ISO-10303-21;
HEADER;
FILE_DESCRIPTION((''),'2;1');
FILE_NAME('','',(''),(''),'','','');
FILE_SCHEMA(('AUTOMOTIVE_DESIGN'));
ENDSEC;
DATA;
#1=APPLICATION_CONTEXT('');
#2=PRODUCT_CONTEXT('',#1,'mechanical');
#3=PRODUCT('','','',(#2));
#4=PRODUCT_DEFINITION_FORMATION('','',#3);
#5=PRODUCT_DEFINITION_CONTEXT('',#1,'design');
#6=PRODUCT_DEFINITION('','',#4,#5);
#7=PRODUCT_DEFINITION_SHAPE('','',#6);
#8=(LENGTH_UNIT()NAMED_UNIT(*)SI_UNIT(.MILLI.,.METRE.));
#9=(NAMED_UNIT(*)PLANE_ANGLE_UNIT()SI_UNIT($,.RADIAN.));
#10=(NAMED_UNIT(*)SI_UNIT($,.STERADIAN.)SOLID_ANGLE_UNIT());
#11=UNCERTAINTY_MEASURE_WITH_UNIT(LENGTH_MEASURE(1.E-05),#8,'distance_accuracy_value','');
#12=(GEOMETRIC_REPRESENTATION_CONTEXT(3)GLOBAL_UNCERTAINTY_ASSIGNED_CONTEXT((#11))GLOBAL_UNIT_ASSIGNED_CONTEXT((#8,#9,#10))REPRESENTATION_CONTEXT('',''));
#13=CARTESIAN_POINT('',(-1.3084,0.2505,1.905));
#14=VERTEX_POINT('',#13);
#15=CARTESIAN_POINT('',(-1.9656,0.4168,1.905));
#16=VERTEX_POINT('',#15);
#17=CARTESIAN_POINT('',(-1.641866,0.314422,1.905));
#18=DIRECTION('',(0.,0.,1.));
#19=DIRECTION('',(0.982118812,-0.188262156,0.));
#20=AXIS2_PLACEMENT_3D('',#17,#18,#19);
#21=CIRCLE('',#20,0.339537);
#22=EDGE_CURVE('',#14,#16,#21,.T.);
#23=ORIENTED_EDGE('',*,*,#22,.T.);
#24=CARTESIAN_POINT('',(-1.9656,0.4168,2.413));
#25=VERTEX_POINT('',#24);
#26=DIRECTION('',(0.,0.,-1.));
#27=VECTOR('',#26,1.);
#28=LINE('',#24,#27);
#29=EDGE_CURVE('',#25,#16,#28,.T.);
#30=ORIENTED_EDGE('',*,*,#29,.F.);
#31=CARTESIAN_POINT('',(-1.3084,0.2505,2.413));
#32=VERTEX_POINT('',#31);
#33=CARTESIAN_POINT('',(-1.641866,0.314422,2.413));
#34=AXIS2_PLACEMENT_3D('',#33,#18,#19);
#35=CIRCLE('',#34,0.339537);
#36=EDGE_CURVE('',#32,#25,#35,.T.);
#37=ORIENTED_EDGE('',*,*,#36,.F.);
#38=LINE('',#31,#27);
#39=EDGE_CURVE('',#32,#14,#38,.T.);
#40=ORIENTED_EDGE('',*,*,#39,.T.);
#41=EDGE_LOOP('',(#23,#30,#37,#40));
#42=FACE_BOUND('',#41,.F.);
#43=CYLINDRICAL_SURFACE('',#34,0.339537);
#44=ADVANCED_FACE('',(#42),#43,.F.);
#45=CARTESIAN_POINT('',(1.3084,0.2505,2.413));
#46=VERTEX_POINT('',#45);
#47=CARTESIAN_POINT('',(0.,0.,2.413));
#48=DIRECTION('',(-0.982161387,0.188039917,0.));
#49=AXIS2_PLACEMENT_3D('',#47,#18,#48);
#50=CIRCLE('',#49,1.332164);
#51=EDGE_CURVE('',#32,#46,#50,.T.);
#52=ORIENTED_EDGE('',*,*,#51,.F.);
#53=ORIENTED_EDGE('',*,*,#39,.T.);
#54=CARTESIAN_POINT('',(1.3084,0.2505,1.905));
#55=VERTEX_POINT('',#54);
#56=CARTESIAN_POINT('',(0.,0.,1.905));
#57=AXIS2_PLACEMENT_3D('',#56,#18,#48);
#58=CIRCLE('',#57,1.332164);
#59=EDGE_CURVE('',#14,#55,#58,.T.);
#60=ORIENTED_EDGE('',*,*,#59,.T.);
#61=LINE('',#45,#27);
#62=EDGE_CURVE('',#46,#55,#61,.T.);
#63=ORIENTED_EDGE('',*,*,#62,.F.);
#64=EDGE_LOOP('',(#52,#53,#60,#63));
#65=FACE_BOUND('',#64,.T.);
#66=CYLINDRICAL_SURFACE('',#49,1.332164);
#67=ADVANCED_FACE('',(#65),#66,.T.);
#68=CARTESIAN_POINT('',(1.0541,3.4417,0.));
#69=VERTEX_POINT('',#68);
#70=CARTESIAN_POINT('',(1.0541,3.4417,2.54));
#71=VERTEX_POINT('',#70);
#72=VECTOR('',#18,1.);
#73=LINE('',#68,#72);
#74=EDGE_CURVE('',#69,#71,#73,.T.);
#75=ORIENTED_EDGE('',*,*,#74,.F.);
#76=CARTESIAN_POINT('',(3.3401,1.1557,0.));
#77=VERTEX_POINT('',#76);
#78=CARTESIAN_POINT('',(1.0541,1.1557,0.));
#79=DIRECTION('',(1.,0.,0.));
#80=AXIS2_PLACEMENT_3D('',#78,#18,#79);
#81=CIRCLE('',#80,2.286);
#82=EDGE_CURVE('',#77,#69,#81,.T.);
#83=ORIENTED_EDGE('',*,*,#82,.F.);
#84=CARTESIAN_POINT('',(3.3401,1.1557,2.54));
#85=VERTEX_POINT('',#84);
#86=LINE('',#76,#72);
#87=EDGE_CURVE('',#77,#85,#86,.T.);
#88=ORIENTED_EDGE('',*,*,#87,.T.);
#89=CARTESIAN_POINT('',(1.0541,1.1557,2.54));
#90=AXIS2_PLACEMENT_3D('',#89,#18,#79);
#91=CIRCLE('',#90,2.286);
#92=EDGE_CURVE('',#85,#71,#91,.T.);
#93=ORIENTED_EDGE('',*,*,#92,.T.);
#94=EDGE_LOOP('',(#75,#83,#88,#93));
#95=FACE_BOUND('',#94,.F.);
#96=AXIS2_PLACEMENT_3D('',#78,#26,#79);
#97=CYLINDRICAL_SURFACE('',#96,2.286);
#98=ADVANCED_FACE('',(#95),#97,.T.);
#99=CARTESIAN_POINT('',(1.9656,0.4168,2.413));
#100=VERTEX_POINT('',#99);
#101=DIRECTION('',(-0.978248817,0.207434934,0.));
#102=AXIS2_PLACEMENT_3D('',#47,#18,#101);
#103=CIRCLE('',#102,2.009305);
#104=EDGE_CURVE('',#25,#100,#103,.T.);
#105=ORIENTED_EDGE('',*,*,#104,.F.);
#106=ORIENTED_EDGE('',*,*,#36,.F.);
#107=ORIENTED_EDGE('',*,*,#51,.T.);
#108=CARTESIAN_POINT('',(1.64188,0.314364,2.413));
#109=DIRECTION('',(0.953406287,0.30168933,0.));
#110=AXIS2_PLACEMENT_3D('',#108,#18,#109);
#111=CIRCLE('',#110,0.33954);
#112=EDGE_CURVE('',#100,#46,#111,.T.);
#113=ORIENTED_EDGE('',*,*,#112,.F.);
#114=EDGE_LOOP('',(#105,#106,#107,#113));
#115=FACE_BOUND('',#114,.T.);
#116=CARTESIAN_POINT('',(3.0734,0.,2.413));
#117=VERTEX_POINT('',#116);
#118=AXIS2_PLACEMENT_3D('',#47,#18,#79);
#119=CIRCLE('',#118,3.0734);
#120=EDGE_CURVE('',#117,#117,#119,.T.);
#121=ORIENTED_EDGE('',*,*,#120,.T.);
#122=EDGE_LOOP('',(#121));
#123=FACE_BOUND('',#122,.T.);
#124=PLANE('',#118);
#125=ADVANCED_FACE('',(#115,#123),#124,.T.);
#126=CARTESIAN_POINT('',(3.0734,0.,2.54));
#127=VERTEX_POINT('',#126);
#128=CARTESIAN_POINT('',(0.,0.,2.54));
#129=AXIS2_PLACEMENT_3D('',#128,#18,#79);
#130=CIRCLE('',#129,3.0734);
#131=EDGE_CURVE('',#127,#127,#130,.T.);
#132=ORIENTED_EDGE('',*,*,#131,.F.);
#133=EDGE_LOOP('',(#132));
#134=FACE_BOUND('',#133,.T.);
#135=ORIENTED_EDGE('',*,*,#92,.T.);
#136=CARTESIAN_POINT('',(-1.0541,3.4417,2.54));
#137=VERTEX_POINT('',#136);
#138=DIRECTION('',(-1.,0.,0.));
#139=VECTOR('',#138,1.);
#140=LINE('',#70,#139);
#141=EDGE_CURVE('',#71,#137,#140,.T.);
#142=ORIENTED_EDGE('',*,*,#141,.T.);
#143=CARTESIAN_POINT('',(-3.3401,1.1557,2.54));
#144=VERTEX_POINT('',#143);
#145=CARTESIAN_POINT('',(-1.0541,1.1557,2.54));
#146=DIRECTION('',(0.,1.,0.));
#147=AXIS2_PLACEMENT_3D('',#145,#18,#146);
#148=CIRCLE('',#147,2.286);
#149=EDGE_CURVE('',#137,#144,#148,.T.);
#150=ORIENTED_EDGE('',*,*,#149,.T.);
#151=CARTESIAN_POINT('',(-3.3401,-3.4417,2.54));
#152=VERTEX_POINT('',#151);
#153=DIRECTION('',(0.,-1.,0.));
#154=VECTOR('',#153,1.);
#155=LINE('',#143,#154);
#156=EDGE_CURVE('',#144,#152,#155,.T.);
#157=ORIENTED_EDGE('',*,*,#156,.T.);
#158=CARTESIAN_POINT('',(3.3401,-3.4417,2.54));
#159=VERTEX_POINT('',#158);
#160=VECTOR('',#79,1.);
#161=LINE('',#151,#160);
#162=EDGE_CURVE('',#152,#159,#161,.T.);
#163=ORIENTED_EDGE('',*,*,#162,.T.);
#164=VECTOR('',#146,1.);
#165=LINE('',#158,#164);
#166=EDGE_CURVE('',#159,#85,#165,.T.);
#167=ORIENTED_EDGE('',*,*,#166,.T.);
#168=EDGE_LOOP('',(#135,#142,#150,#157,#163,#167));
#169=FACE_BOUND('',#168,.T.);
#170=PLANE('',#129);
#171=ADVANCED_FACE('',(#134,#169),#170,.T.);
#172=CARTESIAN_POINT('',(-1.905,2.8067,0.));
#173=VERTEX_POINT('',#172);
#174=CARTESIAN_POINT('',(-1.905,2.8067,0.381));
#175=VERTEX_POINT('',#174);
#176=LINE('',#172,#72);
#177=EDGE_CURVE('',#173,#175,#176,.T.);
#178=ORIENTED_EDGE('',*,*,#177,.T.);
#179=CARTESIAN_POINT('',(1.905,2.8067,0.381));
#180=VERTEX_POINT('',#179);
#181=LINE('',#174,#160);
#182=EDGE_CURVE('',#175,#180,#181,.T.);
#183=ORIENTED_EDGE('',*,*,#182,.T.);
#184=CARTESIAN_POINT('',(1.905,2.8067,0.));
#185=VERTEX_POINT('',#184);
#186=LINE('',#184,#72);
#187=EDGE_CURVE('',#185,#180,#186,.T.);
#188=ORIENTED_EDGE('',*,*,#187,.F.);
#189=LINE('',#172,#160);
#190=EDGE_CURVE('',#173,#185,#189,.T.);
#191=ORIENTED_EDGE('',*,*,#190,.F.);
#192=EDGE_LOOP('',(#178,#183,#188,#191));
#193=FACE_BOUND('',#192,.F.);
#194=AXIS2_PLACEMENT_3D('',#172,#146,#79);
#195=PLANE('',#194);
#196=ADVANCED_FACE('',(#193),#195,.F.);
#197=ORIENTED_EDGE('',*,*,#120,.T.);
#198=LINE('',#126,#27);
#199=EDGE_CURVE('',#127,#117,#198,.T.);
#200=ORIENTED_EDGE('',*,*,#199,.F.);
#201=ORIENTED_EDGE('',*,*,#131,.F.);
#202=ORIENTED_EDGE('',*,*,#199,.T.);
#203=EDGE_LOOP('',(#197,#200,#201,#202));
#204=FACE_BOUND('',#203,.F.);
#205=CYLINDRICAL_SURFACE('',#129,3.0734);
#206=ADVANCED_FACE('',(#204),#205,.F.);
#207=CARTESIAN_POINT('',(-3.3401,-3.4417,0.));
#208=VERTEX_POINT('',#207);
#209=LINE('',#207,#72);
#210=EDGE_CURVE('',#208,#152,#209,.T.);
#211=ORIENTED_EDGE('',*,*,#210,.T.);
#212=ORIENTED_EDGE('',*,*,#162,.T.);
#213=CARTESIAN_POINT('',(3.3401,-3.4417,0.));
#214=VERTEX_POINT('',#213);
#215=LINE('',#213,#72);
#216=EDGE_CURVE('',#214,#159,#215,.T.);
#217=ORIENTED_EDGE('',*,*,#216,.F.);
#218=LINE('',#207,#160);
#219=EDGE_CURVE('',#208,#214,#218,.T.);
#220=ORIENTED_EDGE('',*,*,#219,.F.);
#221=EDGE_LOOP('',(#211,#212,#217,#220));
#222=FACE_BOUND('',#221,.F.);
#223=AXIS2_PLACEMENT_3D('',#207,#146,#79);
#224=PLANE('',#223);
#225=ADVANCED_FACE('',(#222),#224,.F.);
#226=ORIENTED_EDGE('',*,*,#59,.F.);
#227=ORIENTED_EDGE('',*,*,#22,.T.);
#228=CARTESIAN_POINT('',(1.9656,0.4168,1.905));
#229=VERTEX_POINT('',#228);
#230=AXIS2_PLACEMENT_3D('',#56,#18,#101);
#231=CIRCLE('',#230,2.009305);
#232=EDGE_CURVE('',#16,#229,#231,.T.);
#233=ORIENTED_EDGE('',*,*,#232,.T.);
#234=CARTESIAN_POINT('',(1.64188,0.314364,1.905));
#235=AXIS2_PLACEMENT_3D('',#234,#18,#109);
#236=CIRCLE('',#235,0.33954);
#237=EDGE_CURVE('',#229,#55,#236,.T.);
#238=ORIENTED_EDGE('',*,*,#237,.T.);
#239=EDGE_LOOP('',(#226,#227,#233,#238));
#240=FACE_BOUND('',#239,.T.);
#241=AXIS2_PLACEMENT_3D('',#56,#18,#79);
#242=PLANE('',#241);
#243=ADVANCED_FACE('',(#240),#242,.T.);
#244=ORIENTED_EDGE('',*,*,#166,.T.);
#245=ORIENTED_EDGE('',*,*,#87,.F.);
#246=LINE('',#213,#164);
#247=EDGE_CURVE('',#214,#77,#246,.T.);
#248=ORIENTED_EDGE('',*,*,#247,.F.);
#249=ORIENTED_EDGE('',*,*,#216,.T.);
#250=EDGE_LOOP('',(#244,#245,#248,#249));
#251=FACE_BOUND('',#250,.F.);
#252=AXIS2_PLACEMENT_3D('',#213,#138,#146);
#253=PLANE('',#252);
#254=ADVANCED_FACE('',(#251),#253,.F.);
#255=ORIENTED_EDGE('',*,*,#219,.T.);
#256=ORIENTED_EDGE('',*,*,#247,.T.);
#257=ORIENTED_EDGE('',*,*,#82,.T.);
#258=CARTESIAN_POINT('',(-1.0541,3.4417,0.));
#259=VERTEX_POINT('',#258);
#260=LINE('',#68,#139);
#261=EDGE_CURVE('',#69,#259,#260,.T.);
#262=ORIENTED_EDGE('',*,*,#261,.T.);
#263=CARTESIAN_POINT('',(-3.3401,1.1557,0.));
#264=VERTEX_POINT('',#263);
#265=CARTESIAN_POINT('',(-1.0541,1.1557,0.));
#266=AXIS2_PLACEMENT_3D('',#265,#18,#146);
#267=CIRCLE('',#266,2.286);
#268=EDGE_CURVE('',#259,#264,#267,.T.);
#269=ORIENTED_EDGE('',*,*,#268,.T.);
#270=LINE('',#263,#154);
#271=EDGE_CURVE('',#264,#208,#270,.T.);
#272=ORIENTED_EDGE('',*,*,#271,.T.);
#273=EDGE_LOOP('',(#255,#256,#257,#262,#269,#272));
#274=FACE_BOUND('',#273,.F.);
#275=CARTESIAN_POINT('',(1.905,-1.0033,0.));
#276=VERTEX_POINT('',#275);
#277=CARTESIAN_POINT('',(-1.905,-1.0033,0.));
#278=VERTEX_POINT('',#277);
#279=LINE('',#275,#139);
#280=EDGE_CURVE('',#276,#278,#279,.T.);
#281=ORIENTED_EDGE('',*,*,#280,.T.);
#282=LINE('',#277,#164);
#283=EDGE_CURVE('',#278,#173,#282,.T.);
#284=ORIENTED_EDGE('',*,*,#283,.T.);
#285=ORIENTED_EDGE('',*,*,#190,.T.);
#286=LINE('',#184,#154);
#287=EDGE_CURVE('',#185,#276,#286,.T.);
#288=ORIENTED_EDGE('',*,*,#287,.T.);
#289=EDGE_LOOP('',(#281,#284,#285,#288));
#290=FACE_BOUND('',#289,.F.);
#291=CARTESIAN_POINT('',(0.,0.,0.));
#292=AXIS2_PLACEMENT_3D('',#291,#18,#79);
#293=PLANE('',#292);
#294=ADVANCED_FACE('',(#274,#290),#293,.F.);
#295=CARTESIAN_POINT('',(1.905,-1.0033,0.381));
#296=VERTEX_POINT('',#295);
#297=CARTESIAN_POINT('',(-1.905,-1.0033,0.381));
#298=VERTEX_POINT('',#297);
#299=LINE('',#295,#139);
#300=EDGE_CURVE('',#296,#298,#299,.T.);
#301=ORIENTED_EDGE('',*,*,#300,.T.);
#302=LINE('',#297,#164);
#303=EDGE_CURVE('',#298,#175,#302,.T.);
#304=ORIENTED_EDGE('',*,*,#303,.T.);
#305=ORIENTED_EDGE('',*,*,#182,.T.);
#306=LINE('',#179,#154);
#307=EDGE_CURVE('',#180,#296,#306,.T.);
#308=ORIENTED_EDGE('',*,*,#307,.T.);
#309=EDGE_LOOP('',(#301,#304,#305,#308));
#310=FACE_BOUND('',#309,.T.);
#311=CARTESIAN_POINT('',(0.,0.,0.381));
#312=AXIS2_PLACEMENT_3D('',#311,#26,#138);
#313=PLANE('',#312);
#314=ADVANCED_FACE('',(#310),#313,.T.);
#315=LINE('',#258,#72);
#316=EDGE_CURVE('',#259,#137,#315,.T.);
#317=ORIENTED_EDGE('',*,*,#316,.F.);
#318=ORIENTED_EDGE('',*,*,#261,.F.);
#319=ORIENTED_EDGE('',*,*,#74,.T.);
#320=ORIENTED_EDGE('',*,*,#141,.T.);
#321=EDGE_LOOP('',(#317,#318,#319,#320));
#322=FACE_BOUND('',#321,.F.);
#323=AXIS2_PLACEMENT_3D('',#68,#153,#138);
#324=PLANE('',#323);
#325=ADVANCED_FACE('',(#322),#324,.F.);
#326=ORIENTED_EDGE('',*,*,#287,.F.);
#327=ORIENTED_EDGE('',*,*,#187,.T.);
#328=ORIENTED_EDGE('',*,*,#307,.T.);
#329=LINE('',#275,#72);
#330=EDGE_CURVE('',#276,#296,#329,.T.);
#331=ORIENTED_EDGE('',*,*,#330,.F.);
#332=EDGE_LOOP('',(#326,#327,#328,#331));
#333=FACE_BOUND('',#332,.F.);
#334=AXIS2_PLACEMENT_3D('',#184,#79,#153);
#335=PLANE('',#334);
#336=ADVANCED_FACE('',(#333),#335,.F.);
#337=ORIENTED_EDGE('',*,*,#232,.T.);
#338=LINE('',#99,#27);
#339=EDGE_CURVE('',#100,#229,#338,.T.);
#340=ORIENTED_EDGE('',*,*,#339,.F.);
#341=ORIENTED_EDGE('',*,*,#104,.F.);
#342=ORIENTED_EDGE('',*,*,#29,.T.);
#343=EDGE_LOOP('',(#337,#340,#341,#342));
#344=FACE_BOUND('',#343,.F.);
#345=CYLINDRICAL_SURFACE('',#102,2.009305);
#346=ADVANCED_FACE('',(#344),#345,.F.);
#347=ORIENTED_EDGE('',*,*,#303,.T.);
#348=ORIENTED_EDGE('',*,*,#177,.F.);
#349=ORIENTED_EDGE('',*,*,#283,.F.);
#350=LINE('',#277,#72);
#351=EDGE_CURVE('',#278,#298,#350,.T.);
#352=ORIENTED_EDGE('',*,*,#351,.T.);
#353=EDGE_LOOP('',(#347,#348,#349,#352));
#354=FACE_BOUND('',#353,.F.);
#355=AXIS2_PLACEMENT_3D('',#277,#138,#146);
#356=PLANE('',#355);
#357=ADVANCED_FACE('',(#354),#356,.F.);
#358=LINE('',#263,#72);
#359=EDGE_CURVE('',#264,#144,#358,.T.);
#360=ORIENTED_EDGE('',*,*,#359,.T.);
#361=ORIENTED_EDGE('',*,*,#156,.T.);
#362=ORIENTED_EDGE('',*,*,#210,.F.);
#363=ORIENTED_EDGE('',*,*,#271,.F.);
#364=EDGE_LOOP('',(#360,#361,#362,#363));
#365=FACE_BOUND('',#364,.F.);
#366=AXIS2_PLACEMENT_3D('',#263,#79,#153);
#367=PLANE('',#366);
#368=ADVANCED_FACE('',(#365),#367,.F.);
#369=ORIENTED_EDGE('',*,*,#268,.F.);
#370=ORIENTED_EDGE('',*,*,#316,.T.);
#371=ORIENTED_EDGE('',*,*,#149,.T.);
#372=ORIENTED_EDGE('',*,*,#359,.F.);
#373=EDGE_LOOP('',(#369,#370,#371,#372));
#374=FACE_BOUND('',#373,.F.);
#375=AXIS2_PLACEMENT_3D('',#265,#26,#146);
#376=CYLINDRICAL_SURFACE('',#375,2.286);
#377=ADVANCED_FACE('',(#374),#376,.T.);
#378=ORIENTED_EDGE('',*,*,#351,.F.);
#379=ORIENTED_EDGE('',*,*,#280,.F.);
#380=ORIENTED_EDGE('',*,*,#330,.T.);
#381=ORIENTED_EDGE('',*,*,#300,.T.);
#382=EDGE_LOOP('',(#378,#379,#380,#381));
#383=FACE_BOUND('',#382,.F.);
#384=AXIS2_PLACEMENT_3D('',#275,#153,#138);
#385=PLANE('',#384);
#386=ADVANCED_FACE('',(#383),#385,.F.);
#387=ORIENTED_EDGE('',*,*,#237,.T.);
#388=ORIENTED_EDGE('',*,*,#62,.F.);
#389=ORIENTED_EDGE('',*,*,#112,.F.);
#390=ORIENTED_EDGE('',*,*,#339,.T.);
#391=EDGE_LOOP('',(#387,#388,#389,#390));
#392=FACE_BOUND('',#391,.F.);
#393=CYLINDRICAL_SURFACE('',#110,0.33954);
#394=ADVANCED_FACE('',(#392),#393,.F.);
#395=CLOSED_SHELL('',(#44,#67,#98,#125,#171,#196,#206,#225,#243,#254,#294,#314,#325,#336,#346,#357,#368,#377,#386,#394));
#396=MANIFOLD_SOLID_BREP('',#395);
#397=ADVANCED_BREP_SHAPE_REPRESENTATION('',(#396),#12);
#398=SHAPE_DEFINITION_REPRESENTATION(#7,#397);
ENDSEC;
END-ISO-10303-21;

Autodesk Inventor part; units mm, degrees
ref_plane "YZ Plane" through (0, 0, 0) normal (1, 0, 0) x (0, 1, 0)
ref_plane "XZ Plane" through (0, 0, 0) normal (0, 1, 0) x (-1, 0, 0)
ref_plane "XY Plane" through (0, 0, 0) normal (0, 0, 1) x (1, 0, 0)
sketch "Sketch1" plane through (0, 0, 0) normal (0, 0, 1) x (1, 0, 0)
  line L0 (-3.3401, -3.4417) -> (3.3401, -3.4417)
  line L1 (3.3401, -3.4417) -> (3.3401, 1.1557)
  line L2 (1.0541, 3.4417) -> (-1.0541, 3.4417)
  line L3 (-3.3401, 1.1557) -> (-3.3401, -3.4417)
  line L4 (-3.3401, -3.4417) -> (3.3401, 3.4417) construction
  line L5 (3.3401, -3.4417) -> (-3.3401, 3.4417) construction
  arc A0 (-1.0541, 3.4417) -> (-3.3401, 1.1557) centre (-1.0541, 1.1557) ccw
  arc A1 (3.3401, 1.1557) -> (1.0541, 3.4417) centre (1.0541, 1.1557) ccw
  point P0 (0, 0)
  dimension "d0" = 6.6802
  dimension "d1" = 6.8834
  dimension "d2" = 2.286
extrude "Extrusion1" add sketch "Sketch1" along normal blind 2.54
sketch "Sketch2" plane through (0, 0, 2.54) normal (0, 0, 1) x (1, 0, 0)
  circle A0 centre (0, 0) radius 3.0734
  dimension "d5" = 6.1468
extrude "Extrusion2" cut sketch "Sketch2" against normal blind 0.127
sketch "Sketch4" plane through (0, 0, 2.413) normal (0, 0, 1) x (1, 0, 0)
  circle A0 centre (0, 0) radius 3.0734 projected
  arc A1 (-1.9656, 0.4168) -> (1.9656, 0.4168) centre (0, 0) ccw
  arc A2 (-1.3084, 0.2505) -> (1.3084, 0.2505) centre (0, 0) ccw
  circle A3 centre (1.6419, 0.3144) radius 0.3175 projected
  line L0 (0, 0) -> (0, 0.9465)
  arc A4 (1.9656, 0.4168) -> (1.3084, 0.2505) centre (1.6419, 0.3144) ccw
  arc A5 (-1.3084, 0.2505) -> (-1.9656, 0.4168) centre (-1.6419, 0.3144) ccw
  dimension "d8" = 0.6772
extrude "Extrusion3" cut sketch "Sketch4" against normal blind 0.508 contours A5 A2 A4 A1
sketch "Sketch5" plane through (1.6419, 0.3144, 2.413) normal (0, 0, 1) x (1, 0, 0)
  circle A0 centre (0, 0) radius 0.3175 projected
  point P0 (-1.6419, -0.3144)
extrude "Extrusion4" cut sketch "Sketch5" against normal blind 0.508
sketch "Sketch6" plane through (0, 0, 0) normal (0, 0, -1) x (-1, 0, 0)
  line L0 (3.3401, 1.1557) -> (3.3401, -3.4417) projected
  line L1 (-1.0541, 3.4417) -> (1.0541, 3.4417) projected
  line L2 (-3.3401, -3.4417) -> (-3.3401, 1.1557) projected
  line L3 (-1.905, -1.0033) -> (1.905, -1.0033)
  line L4 (1.905, -1.0033) -> (1.905, 2.8067)
  line L5 (1.905, 2.8067) -> (-1.905, 2.8067)
  line L6 (-1.905, 2.8067) -> (-1.905, -1.0033)
  point P0 (0, 0)
  dimension "d13" = 3.81
  dimension "d14" = 3.81
  dimension "d15" = 6.6802
  dimension "d16" = 1.4351
  dimension "d17" = 0.635
extrude "Extrusion5" cut sketch "Sketch6" against normal blind 0.381
equation "\"d16\" = -0.5 * d13 + 0.5 * d15"
properties part number "trim pot_ body"
